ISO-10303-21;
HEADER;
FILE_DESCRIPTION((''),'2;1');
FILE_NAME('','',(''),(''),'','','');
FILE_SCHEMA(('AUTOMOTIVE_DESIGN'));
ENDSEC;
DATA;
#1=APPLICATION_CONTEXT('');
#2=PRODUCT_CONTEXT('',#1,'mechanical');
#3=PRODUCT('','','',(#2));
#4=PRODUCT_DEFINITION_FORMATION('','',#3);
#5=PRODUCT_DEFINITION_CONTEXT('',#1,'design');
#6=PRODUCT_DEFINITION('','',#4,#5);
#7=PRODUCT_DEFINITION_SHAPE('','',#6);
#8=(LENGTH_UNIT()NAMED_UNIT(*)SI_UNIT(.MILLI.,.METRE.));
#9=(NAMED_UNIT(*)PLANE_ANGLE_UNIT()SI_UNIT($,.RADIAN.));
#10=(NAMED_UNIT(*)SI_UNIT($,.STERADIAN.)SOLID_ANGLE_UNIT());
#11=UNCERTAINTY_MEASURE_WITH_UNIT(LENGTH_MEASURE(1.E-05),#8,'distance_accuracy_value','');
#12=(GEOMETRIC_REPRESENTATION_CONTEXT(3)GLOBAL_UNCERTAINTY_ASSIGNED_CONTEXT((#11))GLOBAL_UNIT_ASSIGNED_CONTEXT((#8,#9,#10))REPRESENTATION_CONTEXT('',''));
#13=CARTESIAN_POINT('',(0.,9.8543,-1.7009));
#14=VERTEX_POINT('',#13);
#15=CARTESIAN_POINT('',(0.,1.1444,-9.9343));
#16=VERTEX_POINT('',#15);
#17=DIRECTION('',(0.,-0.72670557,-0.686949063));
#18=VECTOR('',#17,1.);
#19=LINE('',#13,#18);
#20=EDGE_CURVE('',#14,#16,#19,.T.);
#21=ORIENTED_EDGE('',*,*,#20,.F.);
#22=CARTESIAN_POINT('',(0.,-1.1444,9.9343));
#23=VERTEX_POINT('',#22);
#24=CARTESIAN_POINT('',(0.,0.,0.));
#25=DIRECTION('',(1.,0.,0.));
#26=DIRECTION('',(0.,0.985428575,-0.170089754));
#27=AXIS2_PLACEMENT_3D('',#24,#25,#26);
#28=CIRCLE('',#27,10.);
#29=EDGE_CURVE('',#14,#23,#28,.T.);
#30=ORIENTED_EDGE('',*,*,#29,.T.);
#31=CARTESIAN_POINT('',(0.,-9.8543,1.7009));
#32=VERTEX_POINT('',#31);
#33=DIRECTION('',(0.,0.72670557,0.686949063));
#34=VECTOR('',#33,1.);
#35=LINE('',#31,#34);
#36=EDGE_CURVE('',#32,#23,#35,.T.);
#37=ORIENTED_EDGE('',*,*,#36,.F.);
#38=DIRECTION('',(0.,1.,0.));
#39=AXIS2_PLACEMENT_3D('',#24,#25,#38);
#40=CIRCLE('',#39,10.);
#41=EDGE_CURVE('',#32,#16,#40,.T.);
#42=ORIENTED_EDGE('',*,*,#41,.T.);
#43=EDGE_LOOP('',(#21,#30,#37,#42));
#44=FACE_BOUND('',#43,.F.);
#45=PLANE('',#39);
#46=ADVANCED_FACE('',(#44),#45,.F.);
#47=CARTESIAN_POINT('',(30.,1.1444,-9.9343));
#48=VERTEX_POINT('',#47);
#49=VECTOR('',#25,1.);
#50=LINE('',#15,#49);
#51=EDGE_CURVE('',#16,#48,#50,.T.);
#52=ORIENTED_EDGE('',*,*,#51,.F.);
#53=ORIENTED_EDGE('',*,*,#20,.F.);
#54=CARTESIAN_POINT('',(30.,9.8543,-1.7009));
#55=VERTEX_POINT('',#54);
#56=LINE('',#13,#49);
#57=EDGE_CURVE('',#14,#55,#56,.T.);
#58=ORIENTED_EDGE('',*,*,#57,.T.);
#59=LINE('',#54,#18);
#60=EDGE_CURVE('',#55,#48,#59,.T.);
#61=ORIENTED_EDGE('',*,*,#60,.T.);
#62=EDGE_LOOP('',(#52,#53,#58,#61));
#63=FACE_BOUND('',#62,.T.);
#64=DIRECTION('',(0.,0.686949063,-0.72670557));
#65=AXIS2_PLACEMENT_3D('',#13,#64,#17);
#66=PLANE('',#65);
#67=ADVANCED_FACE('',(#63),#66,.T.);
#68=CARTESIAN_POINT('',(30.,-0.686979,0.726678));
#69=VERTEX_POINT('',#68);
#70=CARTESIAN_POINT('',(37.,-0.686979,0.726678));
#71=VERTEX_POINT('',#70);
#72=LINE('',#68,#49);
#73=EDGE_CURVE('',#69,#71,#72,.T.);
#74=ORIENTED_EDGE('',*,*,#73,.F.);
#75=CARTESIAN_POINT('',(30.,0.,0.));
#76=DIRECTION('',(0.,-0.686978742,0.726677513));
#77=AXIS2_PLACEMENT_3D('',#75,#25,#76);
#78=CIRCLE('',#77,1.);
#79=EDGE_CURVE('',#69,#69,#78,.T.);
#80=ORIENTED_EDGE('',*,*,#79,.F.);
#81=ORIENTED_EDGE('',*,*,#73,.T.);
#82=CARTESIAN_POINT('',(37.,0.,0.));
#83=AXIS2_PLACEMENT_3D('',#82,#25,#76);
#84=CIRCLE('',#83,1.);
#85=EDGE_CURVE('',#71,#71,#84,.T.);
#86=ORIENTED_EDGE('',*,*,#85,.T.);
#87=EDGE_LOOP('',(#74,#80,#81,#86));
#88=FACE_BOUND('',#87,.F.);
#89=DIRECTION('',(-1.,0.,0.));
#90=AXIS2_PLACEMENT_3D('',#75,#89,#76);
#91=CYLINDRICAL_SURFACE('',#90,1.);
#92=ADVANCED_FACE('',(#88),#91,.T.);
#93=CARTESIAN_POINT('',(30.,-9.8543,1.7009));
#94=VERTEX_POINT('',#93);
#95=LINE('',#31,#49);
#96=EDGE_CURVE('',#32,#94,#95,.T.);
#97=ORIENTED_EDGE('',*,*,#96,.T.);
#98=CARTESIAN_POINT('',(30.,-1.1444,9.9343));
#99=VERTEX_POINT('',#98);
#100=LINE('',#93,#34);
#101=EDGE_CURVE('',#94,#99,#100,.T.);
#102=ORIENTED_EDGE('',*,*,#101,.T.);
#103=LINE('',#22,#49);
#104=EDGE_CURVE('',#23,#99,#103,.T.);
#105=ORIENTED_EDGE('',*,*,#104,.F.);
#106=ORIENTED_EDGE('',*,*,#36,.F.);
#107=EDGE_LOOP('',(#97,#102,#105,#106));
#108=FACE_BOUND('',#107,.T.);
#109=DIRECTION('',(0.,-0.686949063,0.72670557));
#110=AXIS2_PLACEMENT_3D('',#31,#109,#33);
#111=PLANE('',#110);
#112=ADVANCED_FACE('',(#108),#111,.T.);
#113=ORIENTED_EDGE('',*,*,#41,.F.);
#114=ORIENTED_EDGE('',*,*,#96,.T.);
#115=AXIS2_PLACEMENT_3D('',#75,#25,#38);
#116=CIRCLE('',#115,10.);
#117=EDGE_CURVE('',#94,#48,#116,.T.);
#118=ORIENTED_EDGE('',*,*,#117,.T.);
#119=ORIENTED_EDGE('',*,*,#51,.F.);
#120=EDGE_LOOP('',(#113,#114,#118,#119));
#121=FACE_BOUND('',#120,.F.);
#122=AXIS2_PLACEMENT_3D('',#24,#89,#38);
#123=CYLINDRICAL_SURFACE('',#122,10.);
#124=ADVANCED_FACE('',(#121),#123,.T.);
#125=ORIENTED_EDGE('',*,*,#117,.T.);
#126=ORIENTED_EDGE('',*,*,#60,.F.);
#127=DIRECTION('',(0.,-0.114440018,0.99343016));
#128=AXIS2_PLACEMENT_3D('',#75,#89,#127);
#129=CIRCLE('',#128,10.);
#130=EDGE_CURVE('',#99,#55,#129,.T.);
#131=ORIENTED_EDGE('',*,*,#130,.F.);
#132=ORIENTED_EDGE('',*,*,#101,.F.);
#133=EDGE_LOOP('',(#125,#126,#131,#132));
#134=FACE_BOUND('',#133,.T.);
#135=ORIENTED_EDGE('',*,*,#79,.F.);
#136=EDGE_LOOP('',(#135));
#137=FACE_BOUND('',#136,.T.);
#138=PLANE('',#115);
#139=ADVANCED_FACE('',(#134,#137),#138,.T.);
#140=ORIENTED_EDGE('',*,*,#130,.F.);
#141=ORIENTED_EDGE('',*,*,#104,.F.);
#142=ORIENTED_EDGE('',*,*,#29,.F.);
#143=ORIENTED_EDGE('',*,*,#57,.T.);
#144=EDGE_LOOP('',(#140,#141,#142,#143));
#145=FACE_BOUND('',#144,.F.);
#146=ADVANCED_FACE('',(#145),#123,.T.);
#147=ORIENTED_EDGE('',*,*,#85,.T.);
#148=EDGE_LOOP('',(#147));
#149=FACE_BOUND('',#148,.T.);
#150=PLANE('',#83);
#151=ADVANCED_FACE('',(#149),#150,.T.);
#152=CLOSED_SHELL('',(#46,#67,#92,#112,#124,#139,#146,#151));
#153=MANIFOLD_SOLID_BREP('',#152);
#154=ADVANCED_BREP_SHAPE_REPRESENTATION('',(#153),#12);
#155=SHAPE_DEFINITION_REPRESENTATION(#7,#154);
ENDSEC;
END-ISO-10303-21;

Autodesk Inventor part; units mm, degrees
ref_plane "YZ Plane" through (0, 0, 0) normal (1, 0, 0) x (0, 1, 0)
ref_plane "XZ Plane" through (0, 0, 0) normal (0, 1, 0) x (-1, 0, 0)
ref_plane "XY Plane" through (0, 0, 0) normal (0, 0, 1) x (1, 0, 0)
sketch "Skizze1" plane through (0, 0, 0) normal (1, 0, 0) x (0, 1, 0)
  circle A0 centre (0, 0) radius 10
  line L0 (-9.8543, 1.7009) -> (-1.1444, 9.9343)
  line L1 (9.8543, -1.7009) -> (1.1444, -9.9343)
  dimension "d0" = 20
extrude "Extrusion1" add sketch "Skizze1" along normal blind 30 contours A0 L1 L0
sketch "Skizze2" plane through (30, 0, 0) normal (1, 0, 0) x (0, -0.687, 0.7267)
  circle A0 centre (0, 0) radius 10 projected
  circle A1 centre (0, 0) radius 1
  dimension "d3" = 2
extrude "Extrusion2" add sketch "Skizze2" along normal blind 7 contours A1
properties part number "motor"
